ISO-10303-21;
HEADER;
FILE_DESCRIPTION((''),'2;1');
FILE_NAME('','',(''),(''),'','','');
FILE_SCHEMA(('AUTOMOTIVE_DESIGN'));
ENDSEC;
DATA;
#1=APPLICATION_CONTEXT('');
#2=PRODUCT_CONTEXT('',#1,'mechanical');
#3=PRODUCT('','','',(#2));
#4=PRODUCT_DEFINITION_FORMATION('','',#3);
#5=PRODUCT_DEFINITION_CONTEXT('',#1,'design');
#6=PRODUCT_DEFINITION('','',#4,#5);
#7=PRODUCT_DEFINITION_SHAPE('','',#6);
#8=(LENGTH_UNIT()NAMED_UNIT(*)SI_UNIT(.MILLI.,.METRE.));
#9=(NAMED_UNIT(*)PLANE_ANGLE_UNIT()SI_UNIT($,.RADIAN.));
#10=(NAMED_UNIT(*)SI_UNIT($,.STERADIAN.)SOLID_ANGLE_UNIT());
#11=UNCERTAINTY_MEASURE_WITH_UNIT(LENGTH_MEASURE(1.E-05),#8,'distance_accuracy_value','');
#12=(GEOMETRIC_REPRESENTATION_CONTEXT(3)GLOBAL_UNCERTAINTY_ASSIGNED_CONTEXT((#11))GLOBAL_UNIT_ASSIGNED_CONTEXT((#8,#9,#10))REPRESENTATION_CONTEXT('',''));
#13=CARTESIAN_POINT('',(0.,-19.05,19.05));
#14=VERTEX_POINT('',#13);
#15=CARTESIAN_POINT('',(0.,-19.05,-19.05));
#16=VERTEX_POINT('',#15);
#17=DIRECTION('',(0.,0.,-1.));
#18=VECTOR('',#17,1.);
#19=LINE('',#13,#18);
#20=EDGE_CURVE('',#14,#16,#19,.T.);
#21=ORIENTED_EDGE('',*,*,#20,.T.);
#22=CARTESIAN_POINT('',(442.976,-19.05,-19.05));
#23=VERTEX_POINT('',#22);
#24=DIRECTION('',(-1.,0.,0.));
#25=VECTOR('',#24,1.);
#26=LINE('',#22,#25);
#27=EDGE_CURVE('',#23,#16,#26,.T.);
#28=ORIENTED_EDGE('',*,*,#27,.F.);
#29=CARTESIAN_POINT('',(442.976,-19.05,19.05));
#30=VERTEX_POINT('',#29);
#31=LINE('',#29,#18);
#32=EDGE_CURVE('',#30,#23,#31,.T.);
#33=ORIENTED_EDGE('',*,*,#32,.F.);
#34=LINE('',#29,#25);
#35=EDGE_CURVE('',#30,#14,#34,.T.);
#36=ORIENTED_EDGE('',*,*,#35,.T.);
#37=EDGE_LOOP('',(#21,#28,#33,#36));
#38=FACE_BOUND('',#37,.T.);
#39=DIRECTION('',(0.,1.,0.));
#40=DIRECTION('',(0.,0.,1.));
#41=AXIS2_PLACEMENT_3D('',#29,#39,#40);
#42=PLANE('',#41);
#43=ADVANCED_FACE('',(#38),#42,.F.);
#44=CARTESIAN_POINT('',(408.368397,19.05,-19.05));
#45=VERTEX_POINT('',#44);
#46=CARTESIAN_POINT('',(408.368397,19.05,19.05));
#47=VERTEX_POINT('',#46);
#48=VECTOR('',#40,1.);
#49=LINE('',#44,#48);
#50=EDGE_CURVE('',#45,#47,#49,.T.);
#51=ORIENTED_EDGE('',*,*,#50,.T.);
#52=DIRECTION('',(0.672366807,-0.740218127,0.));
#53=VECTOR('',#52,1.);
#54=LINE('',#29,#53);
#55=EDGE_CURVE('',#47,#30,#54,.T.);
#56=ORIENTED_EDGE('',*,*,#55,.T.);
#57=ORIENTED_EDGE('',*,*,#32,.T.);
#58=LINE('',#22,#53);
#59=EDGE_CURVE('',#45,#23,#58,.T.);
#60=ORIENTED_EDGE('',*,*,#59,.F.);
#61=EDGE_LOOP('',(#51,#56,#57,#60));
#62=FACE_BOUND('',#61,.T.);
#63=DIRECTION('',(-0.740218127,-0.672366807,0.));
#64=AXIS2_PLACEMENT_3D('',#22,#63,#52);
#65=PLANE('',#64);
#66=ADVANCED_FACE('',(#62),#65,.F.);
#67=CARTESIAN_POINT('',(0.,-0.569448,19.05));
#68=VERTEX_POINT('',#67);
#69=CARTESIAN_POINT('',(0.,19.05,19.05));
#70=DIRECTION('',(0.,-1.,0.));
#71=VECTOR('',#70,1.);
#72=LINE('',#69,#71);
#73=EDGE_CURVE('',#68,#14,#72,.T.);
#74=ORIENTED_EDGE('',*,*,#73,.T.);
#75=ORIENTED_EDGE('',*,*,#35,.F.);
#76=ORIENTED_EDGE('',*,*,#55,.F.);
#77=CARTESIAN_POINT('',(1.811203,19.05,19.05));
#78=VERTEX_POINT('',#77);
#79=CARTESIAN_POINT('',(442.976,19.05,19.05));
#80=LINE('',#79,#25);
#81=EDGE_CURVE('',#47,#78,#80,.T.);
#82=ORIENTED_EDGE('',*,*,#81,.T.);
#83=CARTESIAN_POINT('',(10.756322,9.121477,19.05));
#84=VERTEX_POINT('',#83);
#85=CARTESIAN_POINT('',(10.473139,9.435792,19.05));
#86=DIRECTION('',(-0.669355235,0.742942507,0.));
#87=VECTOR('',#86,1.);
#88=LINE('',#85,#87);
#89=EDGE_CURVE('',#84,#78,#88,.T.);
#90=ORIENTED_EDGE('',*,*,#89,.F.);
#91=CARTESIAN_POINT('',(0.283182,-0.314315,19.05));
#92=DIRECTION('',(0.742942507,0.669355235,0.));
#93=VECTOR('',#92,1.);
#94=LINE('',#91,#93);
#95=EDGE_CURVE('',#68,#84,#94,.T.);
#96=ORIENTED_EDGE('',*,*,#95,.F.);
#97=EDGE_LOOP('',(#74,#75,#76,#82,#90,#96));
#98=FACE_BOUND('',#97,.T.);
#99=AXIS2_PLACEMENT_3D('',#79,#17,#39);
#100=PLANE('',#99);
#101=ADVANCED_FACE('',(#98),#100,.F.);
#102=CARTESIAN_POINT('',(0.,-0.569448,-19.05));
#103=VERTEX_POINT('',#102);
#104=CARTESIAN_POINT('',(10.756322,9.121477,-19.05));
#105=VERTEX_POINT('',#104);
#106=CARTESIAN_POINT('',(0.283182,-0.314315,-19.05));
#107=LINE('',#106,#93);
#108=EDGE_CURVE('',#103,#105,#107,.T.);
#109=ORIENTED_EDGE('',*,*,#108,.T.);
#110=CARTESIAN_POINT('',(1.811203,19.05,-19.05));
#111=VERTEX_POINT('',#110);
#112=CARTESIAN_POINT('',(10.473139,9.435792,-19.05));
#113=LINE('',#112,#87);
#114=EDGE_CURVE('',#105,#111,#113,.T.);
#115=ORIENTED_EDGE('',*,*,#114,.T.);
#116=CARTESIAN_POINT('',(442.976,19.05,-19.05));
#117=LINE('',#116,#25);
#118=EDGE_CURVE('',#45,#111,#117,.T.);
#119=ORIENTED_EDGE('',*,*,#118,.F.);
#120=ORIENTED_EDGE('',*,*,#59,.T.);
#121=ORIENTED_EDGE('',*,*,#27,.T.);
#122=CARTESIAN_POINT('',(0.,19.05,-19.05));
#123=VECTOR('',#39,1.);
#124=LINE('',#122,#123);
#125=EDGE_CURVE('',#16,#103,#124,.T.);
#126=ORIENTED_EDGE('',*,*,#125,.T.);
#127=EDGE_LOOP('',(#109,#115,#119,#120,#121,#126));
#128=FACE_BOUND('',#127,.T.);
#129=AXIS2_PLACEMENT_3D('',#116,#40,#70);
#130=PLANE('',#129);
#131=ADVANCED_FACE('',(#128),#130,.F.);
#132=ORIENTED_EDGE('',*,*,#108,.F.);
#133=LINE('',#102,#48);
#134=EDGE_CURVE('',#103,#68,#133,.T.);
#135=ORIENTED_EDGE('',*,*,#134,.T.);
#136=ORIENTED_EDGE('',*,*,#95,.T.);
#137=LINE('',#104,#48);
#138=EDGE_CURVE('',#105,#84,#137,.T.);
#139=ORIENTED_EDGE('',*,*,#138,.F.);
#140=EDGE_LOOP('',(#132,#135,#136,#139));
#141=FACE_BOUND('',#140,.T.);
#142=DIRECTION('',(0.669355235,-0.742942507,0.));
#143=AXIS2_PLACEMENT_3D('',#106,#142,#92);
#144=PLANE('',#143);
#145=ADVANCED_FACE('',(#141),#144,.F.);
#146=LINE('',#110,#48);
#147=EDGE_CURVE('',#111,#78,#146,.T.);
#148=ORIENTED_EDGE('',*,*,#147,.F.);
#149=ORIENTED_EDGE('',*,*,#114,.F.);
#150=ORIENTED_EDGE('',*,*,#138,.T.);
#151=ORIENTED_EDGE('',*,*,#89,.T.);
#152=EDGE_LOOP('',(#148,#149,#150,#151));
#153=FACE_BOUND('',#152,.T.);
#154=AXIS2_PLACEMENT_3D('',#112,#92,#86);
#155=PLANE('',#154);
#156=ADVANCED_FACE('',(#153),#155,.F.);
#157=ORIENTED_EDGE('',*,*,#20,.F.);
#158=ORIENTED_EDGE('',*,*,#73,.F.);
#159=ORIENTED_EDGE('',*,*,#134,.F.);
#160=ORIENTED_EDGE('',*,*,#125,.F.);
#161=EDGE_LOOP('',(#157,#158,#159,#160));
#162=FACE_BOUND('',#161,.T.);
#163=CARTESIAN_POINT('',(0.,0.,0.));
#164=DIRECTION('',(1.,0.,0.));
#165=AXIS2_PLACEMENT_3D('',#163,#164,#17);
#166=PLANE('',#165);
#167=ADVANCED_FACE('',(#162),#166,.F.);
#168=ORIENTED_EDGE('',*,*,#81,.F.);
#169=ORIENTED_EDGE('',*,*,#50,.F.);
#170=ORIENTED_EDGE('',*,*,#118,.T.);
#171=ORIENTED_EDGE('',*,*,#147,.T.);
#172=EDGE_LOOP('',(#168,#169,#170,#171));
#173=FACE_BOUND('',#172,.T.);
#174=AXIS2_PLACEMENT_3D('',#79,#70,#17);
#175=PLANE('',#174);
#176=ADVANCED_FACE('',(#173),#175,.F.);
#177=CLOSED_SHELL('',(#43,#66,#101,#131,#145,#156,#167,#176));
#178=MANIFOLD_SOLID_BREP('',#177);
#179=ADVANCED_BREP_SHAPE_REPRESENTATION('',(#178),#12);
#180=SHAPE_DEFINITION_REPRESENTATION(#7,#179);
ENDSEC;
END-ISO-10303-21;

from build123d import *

# Parameters (mm, degrees)
SKETCH1_W               = 38.1
SKETCH1_H               = 38.1
BOSS_EXTRUDE1_DEPTH     = 442.976
CUT_EXTRUDE1_DEPTH      = 446.019380562
CUT_EXTRUDE2_DEPTH      = 446.019380562
CUT_EXTRUDE2_DEPTH_BACK = 446.019380562


with BuildPart() as part:
    # Sketch1 → Boss-Extrude1 (new body)
    with BuildSketch(Plane(origin=(0, 0, 0), x_dir=(0, 0, -1), z_dir=(1, 0, 0))):
        Rectangle(SKETCH1_W, SKETCH1_H)
    extrude(amount=BOSS_EXTRUDE1_DEPTH)

    # Sketch2 → Cut-Extrude1 (cut, through all)
    with BuildSketch(Plane.XY.offset(19.05)):
        Polygon((442.976, -19.05), (408.36839663, 19.05), (442.976, 19.05), align=None)
    extrude(amount=-CUT_EXTRUDE1_DEPTH, mode=Mode.SUBTRACT)

    # Sketch3 → Cut-Extrude2 (cut, two sides: drawn at the far end of the back side and taken through both)
    with BuildSketch(Plane.XY.offset(19.05).offset(-CUT_EXTRUDE2_DEPTH_BACK)):
        Polygon((0, 19.05), (0, -0.569448187), (1.811202923, 19.05), align=None)
        Polygon((0, -0.569448187), (1.811202923, 19.05), (10.756321618, 9.121476911), align=None)
    extrude(amount=CUT_EXTRUDE2_DEPTH + CUT_EXTRUDE2_DEPTH_BACK, mode=Mode.SUBTRACT)


solid = part.part
